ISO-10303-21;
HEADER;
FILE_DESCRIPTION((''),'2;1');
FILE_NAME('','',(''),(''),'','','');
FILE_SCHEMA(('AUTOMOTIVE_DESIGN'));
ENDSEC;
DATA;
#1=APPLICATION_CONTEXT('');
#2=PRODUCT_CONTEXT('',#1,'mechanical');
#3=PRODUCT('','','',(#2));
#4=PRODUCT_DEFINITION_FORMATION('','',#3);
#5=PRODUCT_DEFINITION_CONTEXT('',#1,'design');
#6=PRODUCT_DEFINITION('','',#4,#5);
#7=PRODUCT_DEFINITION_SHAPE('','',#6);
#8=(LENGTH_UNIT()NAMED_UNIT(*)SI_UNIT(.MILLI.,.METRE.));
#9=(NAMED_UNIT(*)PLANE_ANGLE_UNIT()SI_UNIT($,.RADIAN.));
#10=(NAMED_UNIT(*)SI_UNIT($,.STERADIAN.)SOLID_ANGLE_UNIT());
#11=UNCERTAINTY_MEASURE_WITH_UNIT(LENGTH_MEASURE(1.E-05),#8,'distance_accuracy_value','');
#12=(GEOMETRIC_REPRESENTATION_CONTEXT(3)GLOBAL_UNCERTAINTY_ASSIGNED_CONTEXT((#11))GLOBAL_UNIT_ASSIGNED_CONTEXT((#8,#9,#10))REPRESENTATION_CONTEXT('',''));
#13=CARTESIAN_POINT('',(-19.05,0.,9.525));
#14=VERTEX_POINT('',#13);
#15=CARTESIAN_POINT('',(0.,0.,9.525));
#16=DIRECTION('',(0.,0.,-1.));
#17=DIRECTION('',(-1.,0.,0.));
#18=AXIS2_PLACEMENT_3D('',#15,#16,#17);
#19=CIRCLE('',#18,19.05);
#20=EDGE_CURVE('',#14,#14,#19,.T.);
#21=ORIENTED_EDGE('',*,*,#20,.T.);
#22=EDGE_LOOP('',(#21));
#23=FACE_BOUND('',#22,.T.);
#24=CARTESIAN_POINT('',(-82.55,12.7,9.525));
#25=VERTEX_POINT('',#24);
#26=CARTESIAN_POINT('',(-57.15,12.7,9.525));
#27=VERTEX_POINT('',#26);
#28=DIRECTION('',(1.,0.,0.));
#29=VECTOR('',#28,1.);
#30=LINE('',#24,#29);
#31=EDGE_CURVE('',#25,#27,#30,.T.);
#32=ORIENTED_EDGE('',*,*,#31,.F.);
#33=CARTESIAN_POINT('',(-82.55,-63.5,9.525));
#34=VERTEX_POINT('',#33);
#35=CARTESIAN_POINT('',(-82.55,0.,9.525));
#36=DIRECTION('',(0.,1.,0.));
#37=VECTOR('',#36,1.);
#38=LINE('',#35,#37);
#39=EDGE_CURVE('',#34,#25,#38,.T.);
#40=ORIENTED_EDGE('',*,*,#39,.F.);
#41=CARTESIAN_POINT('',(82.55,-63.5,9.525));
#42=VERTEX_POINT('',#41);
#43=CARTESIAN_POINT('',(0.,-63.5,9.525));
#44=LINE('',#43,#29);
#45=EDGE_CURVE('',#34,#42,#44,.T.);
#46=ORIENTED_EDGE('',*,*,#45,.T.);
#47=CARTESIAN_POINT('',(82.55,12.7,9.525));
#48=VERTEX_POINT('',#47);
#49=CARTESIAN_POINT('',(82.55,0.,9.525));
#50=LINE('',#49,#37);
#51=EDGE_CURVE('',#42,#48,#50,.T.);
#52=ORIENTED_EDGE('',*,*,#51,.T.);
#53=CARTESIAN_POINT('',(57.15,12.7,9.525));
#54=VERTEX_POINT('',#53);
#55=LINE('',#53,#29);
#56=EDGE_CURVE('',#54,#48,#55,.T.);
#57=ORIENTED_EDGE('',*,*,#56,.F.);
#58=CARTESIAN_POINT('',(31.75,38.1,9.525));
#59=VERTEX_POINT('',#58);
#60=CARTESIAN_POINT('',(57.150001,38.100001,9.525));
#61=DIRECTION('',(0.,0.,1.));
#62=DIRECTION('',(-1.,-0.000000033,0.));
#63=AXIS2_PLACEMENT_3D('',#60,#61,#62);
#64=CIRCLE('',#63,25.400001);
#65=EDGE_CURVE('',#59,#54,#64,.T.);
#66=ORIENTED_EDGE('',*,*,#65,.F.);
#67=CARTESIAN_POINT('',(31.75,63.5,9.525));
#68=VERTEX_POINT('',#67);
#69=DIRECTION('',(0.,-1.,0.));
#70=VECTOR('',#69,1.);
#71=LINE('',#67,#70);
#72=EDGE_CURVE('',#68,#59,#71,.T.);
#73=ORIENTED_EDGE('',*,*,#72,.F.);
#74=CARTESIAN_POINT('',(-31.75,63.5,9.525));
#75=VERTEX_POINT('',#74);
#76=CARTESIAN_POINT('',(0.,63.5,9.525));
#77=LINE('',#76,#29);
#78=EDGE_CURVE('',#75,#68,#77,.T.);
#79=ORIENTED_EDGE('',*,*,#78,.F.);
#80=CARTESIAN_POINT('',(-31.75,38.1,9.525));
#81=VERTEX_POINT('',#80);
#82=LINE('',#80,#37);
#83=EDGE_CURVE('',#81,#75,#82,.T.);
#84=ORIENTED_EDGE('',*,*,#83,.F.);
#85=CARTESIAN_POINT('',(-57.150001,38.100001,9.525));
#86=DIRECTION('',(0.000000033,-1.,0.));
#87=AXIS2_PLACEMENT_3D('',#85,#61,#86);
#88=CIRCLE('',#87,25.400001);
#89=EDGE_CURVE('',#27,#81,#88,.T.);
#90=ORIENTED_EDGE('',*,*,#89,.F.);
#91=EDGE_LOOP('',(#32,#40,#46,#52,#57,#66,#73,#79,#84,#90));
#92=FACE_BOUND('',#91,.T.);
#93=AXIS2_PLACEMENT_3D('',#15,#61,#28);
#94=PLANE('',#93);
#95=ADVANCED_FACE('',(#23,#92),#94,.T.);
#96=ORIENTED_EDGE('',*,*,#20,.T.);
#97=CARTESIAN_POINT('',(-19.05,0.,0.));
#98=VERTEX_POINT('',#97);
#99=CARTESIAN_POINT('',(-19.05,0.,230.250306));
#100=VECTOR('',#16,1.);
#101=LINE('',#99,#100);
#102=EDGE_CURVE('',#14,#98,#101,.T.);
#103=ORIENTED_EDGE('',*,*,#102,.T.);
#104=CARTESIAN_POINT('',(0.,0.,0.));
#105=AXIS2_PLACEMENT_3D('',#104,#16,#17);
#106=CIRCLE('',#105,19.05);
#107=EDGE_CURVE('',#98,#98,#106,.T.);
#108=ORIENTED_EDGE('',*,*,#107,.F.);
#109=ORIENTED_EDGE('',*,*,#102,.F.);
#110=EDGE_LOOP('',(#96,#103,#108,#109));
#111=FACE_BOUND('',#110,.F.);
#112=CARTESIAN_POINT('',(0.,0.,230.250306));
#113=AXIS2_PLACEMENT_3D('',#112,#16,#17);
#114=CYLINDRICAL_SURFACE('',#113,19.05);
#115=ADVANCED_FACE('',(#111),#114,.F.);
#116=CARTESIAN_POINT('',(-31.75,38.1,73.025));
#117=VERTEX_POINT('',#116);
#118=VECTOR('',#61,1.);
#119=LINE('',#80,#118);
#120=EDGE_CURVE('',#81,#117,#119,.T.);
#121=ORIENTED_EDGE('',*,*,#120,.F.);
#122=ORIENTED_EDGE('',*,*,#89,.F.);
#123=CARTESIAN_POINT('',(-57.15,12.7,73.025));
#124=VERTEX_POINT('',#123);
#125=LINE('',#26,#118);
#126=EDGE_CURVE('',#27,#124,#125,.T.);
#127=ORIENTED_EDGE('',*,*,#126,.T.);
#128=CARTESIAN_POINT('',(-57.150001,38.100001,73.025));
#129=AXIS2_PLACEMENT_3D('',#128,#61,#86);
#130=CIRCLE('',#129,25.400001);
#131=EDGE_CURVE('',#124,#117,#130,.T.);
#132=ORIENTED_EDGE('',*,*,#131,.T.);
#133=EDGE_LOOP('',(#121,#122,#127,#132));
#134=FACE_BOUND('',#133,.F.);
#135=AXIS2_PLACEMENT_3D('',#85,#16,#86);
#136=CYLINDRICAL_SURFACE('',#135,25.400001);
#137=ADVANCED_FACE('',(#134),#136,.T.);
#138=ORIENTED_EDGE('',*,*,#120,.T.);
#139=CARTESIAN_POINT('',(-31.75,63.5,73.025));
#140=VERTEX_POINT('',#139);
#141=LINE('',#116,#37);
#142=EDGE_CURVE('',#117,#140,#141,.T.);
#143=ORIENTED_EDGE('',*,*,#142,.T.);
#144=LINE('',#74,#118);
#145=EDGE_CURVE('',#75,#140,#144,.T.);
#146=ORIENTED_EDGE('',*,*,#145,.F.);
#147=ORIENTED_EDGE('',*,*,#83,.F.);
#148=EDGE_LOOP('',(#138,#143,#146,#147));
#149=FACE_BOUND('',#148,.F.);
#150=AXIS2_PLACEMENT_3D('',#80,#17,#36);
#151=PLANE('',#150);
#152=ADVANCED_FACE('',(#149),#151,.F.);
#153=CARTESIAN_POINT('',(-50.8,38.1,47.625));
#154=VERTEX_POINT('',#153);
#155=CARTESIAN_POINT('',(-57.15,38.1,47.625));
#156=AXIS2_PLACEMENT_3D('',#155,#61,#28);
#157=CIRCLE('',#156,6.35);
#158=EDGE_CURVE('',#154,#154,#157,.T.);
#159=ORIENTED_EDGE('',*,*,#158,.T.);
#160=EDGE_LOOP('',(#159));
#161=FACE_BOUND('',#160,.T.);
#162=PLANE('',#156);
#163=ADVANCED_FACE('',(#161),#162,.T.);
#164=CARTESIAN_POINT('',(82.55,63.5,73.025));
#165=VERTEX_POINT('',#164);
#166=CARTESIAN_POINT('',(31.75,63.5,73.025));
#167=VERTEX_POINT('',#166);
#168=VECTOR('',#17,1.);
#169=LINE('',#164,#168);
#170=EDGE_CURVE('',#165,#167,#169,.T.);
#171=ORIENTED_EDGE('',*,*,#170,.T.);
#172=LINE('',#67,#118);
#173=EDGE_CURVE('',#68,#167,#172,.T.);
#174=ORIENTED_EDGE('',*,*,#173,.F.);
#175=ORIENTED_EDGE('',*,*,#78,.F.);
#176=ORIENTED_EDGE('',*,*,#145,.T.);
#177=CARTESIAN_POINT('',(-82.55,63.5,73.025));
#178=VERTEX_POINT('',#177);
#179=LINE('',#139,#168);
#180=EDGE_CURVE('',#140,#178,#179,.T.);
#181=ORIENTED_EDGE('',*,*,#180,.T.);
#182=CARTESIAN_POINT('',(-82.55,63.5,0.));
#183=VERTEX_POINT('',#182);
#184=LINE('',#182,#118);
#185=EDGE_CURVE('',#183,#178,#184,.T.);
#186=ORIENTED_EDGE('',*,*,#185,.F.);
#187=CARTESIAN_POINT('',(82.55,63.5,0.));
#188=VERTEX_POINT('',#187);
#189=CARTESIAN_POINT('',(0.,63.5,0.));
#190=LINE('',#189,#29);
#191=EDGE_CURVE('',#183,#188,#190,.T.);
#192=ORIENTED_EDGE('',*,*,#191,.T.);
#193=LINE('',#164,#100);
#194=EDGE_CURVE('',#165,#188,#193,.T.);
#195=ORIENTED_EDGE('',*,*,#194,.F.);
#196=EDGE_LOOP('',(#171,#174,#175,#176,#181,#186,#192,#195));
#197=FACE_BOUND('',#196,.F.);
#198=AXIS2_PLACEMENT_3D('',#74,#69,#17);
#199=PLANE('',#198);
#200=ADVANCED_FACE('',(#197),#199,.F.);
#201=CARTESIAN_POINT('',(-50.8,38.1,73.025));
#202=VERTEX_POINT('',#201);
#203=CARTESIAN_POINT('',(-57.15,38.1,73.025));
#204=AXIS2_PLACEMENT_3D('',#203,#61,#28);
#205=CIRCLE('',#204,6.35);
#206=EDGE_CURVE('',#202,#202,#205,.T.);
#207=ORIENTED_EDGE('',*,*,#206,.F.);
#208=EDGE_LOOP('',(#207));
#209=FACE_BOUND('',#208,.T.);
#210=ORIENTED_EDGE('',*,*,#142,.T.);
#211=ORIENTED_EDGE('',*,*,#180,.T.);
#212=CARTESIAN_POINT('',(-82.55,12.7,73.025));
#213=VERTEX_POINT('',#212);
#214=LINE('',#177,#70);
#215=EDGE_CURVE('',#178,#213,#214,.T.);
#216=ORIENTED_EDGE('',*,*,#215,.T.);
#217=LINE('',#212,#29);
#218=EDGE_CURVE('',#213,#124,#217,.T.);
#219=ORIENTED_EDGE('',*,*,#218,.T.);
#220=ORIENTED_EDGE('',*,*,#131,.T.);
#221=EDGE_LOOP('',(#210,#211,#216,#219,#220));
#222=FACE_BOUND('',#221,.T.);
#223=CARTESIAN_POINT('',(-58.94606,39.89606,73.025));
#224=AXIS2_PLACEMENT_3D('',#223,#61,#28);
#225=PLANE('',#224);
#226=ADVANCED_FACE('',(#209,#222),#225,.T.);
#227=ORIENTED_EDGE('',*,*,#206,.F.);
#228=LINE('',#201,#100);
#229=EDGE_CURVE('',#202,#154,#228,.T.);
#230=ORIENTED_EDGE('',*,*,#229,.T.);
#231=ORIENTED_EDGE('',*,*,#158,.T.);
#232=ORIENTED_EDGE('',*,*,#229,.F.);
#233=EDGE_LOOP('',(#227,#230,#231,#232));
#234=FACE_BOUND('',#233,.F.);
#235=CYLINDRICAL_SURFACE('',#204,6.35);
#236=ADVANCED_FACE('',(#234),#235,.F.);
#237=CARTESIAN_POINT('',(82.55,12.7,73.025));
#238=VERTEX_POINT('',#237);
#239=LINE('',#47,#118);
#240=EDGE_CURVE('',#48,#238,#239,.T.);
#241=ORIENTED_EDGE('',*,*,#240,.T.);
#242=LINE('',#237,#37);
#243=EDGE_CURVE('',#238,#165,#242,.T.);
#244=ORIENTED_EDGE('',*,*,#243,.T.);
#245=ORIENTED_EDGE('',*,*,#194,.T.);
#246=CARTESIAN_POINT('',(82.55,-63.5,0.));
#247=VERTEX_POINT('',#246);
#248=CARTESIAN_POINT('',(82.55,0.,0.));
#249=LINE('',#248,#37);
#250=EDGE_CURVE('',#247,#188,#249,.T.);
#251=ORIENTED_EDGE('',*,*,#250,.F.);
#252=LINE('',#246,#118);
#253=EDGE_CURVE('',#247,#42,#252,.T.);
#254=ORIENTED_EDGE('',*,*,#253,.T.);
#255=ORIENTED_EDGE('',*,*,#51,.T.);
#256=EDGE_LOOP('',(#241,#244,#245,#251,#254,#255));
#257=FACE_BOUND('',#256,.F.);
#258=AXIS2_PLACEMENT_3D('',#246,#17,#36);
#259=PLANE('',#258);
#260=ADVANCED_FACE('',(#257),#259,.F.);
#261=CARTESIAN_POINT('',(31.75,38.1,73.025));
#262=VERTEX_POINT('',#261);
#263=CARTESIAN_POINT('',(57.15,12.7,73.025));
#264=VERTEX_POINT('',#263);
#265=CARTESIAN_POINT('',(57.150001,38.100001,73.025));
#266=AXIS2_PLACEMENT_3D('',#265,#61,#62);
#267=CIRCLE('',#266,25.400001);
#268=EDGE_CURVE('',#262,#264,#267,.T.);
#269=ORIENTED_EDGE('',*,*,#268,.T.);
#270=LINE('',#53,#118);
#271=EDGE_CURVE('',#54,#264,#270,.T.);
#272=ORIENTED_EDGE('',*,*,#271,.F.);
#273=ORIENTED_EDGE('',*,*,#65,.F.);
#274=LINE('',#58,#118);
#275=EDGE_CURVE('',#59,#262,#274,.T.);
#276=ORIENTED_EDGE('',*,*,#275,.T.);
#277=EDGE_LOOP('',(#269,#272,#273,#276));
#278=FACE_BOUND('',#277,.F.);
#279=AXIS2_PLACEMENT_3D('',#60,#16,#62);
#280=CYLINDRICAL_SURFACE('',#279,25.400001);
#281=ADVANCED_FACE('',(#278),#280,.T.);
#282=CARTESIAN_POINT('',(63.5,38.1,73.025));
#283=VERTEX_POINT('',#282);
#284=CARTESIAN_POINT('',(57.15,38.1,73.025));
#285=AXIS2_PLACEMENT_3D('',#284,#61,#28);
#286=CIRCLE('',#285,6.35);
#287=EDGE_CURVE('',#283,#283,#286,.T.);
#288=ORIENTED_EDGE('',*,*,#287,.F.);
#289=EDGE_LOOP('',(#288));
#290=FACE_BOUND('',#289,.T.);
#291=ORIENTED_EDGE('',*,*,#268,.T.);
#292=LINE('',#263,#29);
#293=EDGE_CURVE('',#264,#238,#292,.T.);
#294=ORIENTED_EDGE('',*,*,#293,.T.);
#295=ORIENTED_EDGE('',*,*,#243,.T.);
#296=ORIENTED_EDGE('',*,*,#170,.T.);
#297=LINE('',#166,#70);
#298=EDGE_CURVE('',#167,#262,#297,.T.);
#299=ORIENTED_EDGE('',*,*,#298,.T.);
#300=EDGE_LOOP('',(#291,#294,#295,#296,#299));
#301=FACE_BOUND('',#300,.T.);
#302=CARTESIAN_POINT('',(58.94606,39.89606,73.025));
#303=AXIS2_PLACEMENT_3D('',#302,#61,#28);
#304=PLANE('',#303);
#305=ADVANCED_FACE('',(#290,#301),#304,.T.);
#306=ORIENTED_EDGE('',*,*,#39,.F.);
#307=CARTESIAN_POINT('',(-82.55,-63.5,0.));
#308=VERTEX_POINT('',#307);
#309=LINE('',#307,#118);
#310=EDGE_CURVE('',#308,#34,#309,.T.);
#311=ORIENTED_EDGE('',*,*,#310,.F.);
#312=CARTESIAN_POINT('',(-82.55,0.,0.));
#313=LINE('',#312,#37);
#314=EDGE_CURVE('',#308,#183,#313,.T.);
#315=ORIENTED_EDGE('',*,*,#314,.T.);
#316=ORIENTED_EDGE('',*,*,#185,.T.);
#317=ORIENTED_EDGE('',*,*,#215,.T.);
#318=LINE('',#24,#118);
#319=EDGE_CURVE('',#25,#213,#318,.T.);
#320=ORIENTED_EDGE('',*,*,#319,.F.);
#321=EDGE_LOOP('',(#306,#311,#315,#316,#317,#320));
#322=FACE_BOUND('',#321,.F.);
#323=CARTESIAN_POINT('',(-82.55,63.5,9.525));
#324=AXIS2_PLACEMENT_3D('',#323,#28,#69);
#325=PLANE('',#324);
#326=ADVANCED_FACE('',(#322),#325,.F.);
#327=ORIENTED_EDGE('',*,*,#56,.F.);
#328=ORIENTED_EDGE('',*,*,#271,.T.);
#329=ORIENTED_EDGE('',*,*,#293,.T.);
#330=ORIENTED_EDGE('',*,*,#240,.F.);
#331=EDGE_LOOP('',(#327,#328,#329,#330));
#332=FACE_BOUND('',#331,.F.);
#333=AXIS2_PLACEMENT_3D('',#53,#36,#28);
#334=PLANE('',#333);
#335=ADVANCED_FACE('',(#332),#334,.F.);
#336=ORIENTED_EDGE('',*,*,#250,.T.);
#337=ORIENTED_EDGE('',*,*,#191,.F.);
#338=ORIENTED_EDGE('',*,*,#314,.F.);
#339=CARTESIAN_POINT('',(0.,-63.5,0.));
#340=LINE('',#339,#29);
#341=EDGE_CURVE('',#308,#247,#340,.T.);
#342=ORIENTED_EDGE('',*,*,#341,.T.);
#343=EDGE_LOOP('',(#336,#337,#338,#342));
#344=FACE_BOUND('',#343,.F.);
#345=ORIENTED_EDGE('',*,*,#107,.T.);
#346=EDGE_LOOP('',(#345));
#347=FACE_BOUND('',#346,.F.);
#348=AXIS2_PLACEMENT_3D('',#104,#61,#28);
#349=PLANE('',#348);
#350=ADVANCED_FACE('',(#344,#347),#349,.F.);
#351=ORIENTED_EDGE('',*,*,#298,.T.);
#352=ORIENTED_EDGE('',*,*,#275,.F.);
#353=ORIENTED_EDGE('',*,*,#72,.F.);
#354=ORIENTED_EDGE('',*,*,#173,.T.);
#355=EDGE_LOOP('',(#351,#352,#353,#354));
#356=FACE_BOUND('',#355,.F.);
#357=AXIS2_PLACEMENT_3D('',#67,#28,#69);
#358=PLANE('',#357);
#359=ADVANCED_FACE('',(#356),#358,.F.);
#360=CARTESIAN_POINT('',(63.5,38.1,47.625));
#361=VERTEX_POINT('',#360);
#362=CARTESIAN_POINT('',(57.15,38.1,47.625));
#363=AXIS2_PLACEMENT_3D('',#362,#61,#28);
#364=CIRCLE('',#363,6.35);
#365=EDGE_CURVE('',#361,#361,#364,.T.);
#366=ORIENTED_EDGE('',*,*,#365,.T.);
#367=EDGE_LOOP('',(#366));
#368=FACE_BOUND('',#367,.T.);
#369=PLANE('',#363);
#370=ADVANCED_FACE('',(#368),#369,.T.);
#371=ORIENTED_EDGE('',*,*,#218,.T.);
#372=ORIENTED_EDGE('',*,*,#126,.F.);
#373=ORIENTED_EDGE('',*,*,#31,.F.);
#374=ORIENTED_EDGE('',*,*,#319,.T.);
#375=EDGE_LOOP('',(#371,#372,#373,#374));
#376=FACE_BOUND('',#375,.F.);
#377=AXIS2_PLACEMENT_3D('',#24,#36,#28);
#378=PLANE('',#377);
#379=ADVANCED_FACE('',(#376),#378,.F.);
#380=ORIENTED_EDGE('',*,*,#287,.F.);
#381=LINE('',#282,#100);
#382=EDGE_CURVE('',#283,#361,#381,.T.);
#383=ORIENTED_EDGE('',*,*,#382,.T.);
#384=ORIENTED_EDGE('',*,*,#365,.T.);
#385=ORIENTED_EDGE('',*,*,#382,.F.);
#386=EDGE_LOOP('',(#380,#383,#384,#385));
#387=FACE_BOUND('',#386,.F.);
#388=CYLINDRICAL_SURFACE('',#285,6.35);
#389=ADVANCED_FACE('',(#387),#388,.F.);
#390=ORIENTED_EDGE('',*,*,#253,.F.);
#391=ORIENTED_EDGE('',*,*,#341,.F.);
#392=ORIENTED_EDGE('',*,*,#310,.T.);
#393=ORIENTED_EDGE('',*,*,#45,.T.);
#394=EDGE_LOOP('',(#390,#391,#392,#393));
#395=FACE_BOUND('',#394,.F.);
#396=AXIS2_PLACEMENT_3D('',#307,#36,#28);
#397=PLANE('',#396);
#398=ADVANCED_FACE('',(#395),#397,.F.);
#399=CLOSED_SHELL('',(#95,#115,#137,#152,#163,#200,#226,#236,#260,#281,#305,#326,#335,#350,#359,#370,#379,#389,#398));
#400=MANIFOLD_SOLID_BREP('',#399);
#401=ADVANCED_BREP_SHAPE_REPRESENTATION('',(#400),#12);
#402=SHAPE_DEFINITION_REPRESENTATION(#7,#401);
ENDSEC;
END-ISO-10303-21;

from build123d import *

# Parameters (mm, degrees)
F0_W     = 165.1
F0_H     = 127
F1_DEPTH = 9.525
F3_DEPTH = 63.5
F5_D     = 38.1
F6_R     = 6.35
F7_DEPTH = 25.4


with BuildPart() as f1:
    # F0 (on Top) → F1 (new body)
    with BuildSketch(Plane.XY):
        Rectangle(F0_W, F0_H)
    extrude(amount=F1_DEPTH)

    # F2 (on face) → F3 (join)
    with BuildSketch(Plane.XY.offset(9.525)):
        with BuildLine():
            Line((-31.75, 63.5), (-82.55, 63.5))
            Line((-82.55, 63.5), (-82.55, 12.7))
            Line((-82.55, 12.7), (-57.15, 12.7))
            ThreePointArc((-57.15, 12.7), (-39.189488, 20.139488), (-31.75, 38.1))
            Line((-31.75, 38.1), (-31.75, 63.5))
        make_face()
        with BuildLine():
            Line((82.55, 63.5), (31.75, 63.5))
            Line((31.75, 63.5), (31.75, 38.1))
            ThreePointArc((31.75, 38.1), (39.189488, 20.139488), (57.15, 12.7))
            Line((57.15, 12.7), (82.55, 12.7))
            Line((82.55, 12.7), (82.55, 63.5))
        make_face()
    extrude(amount=F3_DEPTH)

    # F5 (through all)
    with Locations(Plane.XY.offset(9.525)):
        with Locations((0, 0)):
            Hole(F5_D / 2)

    # F6 (on face) → F7 (cut)
    with BuildSketch(Plane.XY.offset(73.025)):
        with Locations((-57.15, 38.1)):
            Circle(F6_R)
        with Locations((57.15, 38.1)):
            Circle(F6_R)
    extrude(amount=-F7_DEPTH, mode=Mode.SUBTRACT)


solid = f1.part
